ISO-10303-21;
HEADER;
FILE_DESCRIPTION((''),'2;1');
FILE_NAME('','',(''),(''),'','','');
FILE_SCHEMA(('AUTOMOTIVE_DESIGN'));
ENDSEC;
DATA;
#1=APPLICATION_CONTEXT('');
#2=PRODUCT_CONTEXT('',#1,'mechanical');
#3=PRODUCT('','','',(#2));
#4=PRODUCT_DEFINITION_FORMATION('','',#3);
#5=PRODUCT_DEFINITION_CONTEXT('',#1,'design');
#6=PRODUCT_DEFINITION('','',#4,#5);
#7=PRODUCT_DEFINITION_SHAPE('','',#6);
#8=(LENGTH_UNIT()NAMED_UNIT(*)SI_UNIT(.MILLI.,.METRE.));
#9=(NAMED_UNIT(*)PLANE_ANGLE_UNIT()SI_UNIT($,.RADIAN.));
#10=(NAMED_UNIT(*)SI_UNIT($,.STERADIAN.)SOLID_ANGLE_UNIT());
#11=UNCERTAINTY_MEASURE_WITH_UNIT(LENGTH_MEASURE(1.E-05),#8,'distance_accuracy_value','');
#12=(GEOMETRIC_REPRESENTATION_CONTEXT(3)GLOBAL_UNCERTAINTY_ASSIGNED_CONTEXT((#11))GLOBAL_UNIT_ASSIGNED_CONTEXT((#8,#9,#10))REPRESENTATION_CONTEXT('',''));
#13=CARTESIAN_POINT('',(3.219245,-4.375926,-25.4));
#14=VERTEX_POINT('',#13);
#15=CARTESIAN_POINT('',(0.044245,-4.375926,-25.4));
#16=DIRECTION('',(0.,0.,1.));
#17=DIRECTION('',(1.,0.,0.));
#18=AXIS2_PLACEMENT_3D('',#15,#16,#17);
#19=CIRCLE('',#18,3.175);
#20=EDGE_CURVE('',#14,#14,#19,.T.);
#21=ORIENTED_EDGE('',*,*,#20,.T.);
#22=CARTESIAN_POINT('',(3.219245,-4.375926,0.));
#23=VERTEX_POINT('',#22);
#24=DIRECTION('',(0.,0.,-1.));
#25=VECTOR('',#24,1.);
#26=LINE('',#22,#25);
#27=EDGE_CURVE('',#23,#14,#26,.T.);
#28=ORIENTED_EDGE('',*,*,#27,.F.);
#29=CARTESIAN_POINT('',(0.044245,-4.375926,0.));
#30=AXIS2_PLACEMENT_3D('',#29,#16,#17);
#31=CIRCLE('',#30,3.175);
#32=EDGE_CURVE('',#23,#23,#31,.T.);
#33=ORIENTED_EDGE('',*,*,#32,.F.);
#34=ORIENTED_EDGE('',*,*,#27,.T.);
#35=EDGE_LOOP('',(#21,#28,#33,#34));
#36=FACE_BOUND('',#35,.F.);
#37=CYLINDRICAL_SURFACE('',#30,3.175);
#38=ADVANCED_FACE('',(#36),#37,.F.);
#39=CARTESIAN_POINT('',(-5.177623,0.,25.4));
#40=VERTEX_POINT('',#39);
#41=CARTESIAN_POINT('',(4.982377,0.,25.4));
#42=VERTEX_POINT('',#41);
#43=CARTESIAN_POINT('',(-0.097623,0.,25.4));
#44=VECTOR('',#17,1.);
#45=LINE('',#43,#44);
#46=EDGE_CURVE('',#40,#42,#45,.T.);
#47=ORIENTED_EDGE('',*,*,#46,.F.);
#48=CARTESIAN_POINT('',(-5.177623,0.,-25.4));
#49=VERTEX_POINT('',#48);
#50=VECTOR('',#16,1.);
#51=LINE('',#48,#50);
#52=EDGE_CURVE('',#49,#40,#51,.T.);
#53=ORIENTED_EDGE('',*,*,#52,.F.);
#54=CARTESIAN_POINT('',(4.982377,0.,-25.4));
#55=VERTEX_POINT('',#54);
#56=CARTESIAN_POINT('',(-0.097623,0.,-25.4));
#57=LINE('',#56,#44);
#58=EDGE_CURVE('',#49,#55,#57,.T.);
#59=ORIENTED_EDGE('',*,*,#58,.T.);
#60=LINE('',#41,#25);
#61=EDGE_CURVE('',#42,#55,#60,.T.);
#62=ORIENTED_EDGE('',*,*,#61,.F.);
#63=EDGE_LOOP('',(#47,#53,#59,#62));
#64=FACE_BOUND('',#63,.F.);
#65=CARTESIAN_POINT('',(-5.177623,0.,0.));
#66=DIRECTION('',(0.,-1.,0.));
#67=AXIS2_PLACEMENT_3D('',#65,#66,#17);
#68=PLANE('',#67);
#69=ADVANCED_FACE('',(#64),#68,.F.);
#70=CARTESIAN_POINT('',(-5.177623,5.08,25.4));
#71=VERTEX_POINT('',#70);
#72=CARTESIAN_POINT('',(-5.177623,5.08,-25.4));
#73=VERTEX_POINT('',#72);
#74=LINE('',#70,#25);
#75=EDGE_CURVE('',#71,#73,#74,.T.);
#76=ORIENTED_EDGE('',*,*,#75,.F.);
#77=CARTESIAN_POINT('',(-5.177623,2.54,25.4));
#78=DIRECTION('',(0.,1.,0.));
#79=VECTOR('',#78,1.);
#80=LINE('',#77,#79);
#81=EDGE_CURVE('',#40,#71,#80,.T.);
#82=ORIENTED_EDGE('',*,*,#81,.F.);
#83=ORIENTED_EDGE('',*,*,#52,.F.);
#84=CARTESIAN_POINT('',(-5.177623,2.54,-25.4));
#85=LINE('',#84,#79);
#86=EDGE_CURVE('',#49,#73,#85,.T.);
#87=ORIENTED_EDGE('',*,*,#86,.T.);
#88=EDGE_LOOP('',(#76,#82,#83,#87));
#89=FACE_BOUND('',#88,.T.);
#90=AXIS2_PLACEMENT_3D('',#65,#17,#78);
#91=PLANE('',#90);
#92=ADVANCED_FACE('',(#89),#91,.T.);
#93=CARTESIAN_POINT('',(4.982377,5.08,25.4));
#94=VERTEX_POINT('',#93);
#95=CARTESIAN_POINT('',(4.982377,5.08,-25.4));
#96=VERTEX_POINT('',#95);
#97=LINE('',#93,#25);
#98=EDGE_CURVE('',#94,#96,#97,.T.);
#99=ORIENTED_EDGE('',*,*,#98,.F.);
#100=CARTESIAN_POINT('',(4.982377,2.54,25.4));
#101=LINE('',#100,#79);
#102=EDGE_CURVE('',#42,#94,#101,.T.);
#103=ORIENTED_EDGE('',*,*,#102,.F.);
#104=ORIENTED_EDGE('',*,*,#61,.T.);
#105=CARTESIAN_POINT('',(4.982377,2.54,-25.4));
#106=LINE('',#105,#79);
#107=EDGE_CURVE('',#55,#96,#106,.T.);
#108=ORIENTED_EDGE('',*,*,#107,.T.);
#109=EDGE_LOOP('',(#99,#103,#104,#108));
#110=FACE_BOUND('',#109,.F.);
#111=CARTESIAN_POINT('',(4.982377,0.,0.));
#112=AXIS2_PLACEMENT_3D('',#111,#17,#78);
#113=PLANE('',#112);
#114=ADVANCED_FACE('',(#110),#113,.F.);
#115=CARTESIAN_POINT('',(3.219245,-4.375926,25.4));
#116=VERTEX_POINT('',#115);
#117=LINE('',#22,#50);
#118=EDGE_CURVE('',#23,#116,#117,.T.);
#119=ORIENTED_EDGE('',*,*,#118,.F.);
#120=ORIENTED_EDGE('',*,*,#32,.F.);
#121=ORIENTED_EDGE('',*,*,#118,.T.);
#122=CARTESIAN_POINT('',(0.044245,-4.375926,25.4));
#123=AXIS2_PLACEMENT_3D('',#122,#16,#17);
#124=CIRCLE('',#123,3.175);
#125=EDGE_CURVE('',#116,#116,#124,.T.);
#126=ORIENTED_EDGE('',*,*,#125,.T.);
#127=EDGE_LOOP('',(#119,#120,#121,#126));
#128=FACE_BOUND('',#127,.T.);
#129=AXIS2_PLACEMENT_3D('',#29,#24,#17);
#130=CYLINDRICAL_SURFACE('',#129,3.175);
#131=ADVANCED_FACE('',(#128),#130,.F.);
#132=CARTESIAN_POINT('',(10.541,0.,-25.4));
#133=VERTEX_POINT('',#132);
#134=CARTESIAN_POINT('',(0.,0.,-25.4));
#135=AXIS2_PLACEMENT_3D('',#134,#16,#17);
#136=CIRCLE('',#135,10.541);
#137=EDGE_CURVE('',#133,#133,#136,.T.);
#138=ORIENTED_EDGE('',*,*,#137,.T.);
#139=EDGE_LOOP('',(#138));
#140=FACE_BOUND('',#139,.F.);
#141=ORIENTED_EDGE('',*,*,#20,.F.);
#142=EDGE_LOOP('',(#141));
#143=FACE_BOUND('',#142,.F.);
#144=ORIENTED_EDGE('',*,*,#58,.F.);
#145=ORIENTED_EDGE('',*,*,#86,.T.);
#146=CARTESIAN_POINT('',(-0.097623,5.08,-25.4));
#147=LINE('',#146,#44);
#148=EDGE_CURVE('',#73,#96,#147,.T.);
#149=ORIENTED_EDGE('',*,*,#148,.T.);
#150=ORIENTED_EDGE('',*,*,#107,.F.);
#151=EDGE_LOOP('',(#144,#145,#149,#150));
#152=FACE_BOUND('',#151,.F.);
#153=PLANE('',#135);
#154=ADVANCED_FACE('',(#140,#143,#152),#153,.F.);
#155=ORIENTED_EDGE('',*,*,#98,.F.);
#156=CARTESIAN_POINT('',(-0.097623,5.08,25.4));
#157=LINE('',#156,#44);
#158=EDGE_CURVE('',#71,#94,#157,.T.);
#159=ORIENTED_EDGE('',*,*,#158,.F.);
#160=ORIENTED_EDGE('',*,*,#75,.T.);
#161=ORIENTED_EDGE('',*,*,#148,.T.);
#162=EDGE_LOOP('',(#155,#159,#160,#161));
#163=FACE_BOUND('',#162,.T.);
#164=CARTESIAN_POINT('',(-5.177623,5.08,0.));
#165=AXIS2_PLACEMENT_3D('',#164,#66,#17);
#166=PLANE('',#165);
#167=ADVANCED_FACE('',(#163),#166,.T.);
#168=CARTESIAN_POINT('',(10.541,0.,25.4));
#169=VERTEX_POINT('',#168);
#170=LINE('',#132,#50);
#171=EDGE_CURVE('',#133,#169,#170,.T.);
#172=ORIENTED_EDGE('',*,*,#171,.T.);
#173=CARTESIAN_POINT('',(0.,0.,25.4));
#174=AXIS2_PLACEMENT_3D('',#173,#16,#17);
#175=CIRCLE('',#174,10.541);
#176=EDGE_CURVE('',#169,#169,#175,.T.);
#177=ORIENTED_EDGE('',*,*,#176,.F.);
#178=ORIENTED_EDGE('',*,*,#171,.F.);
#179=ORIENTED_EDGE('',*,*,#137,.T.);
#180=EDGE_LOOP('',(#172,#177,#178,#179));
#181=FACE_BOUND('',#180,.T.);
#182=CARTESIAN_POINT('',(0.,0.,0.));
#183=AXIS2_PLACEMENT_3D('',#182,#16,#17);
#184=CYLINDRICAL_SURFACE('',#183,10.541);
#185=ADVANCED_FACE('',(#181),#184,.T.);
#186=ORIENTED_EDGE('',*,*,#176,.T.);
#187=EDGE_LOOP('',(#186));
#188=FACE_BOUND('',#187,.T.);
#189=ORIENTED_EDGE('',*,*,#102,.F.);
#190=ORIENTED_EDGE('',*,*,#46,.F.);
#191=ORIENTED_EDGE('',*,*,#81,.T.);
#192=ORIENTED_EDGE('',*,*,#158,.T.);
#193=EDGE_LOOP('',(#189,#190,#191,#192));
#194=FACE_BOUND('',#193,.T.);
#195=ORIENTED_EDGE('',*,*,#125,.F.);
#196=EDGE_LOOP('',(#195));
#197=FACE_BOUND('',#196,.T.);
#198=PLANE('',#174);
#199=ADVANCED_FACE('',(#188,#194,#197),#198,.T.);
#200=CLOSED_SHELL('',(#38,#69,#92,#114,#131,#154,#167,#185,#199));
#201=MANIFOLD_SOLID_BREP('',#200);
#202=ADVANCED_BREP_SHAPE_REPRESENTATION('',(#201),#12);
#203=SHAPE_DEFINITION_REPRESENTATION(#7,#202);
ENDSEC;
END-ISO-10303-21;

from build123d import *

# Parameters (mm, degrees)
F0_R          = 10.541
F1_DEPTH      = 25.4
F1_DEPTH_BACK = 25.4
F2_W          = 10.16
F2_H          = 5.08
F3_DEPTH      = 25.4
F3_DEPTH_BACK = 25.4
F4_R          = 3.175
F5_DEPTH      = 25.4
F5_DEPTH_BACK = 25.4


with BuildPart() as f1:
    # F0 (on Top) → F1 (new body, two sides)
    with BuildSketch(Plane.XY) as f1_sk:
        Circle(F0_R)
    extrude(amount=F1_DEPTH)
    extrude(f1_sk.sketch, amount=-F1_DEPTH_BACK)

    # F2 (on Top) → F3 (cut, two sides)
    with BuildSketch(Plane.XY) as f3_sk:
        with Locations((-0.0976234565, 2.54)):
            Rectangle(F2_W, F2_H)
    extrude(amount=-F3_DEPTH, mode=Mode.SUBTRACT)
    extrude(f3_sk.sketch, amount=F3_DEPTH_BACK, mode=Mode.SUBTRACT)

    # F4 (on Top) → F5 (cut, two sides)
    with BuildSketch(Plane.XY) as f5_sk:
        with Locations((0.0442451081, -4.3759263634)):
            Circle(F4_R)
    extrude(amount=F5_DEPTH, mode=Mode.SUBTRACT)
    extrude(f5_sk.sketch, amount=-F5_DEPTH_BACK, mode=Mode.SUBTRACT)


solid = f1.part
